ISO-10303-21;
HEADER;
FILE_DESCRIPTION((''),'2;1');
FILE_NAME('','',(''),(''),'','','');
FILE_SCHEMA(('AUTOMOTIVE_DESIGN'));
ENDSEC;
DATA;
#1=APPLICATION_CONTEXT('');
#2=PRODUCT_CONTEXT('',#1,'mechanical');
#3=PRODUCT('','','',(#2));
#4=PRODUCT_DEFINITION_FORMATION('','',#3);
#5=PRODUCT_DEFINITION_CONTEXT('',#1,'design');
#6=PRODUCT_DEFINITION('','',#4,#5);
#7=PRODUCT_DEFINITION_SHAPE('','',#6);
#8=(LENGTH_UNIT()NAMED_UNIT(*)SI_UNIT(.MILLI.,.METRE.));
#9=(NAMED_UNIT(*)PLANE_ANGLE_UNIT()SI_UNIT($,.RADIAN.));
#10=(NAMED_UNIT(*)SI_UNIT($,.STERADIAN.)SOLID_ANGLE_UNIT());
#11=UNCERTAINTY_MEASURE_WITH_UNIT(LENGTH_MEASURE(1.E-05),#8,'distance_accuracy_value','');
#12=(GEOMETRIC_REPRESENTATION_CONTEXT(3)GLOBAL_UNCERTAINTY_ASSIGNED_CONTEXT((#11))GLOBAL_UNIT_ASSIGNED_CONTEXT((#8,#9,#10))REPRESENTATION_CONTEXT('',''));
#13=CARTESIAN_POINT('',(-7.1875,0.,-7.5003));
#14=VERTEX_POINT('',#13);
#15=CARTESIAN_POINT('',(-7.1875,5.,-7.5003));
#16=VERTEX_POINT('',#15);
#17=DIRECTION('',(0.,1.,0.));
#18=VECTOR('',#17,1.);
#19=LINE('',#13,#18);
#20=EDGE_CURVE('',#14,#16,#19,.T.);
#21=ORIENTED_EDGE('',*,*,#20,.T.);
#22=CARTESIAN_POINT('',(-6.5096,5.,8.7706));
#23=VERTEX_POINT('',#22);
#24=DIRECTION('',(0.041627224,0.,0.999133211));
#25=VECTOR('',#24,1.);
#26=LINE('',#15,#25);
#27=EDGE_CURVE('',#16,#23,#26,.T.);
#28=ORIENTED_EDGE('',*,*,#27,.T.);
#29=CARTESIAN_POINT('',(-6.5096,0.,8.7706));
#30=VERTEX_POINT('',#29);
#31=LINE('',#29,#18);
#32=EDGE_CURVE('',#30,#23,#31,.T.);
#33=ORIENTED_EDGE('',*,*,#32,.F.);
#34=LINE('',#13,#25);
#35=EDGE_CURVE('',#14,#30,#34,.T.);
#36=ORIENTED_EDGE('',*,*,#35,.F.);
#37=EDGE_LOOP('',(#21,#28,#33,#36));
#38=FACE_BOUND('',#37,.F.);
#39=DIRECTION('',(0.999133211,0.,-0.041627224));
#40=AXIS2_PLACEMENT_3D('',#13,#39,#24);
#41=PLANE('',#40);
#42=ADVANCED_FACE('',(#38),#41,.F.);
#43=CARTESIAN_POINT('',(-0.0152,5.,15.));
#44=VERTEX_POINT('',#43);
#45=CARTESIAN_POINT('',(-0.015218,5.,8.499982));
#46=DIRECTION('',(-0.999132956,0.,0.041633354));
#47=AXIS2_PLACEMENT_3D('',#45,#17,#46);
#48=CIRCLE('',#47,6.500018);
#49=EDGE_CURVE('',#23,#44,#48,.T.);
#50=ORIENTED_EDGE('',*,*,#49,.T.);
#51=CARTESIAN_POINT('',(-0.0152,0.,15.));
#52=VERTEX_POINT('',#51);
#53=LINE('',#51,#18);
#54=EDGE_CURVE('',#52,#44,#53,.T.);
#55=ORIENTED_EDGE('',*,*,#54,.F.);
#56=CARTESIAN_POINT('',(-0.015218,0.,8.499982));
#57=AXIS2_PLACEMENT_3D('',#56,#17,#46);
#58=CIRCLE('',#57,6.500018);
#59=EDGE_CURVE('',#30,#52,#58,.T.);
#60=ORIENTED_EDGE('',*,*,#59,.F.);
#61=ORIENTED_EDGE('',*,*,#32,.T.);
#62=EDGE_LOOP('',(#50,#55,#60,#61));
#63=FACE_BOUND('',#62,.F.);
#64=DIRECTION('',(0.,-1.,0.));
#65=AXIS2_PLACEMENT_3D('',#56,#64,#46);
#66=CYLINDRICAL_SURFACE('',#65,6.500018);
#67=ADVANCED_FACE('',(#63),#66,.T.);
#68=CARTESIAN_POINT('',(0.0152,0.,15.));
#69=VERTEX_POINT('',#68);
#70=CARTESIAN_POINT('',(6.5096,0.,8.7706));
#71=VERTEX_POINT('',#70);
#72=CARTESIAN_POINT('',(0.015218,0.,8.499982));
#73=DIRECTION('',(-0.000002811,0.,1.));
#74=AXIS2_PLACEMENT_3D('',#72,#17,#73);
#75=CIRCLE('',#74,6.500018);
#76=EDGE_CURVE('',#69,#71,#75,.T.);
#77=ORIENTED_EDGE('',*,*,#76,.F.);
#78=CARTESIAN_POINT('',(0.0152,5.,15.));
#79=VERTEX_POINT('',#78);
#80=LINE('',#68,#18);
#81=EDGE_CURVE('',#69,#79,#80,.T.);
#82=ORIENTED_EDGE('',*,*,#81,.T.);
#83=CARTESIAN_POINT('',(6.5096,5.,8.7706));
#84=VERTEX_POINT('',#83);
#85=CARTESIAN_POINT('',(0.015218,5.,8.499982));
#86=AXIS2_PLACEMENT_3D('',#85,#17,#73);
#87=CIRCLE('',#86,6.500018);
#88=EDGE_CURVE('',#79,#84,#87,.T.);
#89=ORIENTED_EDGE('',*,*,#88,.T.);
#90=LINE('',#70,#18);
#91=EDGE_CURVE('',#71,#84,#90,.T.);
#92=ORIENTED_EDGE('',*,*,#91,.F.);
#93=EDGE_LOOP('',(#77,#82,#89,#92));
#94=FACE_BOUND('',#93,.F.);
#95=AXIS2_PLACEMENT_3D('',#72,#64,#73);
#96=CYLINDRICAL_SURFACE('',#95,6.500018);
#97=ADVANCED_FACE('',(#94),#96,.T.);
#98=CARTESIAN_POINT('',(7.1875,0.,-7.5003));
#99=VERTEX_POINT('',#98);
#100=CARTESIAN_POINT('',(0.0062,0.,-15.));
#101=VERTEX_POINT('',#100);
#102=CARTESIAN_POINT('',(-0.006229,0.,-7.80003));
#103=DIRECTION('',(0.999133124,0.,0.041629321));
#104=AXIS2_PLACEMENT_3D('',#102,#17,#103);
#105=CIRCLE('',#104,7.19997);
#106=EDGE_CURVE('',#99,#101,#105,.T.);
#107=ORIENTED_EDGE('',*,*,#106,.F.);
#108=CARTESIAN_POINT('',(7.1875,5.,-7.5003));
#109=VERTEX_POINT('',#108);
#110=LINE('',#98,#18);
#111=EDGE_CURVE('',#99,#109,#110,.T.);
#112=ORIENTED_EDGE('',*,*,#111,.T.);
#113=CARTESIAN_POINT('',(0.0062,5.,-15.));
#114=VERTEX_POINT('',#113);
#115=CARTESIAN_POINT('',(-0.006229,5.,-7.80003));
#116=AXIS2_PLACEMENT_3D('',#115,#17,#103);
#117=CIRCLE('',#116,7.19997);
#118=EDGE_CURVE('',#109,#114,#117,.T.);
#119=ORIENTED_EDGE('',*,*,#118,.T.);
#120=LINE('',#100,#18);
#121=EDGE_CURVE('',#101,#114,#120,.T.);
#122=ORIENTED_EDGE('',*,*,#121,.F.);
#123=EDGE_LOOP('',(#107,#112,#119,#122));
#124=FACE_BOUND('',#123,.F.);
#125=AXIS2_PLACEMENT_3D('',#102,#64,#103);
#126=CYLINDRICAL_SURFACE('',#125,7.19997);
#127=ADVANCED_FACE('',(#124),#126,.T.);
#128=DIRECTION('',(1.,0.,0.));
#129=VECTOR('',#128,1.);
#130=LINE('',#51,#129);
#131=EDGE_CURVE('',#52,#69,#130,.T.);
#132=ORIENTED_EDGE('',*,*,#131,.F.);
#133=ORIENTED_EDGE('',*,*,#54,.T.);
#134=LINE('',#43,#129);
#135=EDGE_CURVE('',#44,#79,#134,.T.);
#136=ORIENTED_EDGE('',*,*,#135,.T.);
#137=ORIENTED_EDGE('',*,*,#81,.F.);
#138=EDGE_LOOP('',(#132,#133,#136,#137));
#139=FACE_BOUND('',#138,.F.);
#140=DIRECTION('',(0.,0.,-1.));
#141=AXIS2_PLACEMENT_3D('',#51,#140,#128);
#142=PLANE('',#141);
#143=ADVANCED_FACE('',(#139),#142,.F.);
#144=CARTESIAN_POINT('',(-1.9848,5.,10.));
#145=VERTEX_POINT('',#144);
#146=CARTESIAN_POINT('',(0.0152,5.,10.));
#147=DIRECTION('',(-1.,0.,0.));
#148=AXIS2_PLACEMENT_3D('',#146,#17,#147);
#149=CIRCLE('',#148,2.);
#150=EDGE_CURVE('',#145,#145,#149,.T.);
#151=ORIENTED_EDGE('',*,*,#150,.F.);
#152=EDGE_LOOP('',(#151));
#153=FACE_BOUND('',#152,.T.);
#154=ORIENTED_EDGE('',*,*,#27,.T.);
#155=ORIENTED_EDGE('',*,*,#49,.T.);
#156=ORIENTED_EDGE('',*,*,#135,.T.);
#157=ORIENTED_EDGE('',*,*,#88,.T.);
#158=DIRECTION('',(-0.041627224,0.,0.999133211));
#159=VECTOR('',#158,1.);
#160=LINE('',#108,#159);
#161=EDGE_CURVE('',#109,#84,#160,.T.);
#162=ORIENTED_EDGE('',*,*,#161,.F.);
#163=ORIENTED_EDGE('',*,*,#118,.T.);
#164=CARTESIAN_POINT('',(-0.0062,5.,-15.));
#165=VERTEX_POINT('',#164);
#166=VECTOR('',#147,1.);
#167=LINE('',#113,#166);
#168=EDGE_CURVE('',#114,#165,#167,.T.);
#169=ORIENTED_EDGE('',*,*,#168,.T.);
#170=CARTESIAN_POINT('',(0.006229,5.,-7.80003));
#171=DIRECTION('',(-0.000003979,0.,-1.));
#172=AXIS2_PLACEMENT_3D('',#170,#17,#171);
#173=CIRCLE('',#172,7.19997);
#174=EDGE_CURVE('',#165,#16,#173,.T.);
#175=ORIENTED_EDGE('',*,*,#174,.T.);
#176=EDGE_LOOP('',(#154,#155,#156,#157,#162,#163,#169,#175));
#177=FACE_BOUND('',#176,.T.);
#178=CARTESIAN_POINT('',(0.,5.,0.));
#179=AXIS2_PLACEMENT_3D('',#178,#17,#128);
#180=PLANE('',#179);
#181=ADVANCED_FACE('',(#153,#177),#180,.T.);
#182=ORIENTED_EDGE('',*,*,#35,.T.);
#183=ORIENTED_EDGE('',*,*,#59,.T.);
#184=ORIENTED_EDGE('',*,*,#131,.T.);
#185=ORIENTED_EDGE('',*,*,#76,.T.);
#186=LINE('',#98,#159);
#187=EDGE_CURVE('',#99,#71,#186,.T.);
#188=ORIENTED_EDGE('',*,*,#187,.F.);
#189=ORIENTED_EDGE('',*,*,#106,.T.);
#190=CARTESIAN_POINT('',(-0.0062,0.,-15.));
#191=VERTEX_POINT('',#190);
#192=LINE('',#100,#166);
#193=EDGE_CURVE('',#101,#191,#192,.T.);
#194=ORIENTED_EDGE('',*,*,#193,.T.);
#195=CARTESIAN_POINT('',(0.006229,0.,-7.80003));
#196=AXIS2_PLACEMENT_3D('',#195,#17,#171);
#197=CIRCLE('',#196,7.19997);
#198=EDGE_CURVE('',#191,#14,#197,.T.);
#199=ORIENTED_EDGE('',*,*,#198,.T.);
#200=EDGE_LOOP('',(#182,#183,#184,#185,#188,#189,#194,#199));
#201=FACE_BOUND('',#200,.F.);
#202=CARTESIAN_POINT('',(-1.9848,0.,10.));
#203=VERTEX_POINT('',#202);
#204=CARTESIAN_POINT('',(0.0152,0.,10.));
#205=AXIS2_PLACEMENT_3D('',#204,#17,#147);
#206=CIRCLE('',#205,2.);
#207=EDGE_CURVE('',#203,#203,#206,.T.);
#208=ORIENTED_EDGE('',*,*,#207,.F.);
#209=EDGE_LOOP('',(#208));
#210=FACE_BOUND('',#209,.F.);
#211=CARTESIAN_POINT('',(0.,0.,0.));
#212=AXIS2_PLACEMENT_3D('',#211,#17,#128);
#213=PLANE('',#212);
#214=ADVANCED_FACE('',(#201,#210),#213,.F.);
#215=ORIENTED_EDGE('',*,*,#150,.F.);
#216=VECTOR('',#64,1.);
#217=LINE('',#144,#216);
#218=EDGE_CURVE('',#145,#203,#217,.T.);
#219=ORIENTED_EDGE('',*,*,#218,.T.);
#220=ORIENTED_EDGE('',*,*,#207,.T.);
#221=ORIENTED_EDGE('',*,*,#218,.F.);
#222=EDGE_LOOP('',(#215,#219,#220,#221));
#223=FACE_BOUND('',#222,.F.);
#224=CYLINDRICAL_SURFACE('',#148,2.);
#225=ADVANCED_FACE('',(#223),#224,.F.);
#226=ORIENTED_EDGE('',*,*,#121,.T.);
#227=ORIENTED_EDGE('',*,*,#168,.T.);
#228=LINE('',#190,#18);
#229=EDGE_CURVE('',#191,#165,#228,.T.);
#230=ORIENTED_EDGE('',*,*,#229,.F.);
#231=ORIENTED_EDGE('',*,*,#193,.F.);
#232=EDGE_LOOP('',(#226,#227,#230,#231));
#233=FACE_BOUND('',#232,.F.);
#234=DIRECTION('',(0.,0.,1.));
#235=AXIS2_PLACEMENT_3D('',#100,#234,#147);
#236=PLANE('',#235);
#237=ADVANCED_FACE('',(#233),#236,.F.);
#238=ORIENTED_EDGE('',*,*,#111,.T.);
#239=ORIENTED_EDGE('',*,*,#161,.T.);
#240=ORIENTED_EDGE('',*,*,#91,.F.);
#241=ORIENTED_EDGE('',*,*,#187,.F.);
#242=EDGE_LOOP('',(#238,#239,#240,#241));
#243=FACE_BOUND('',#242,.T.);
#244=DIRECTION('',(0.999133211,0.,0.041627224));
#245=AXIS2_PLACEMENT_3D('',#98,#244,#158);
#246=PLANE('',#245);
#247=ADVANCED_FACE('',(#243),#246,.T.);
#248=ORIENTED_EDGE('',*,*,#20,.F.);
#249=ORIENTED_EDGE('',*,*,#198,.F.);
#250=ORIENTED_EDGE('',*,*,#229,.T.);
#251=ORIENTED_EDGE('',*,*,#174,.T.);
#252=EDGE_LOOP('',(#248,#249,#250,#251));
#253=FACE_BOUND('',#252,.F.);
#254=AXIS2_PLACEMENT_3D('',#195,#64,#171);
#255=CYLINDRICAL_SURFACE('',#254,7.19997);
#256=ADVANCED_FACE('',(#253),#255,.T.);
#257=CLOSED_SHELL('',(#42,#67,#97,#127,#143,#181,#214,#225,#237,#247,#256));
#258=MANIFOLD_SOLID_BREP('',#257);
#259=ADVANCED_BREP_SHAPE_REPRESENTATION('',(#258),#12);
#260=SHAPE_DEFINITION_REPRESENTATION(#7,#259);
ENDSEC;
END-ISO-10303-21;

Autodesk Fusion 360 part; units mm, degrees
sketch "Sketch1" plane through (0, 0, 0) normal (0, 1, 0) x (1, 0, 0)
  line L0 (-0.0152, -15) -> (0.0152, -15)
  line L1 (0.0062, 15) -> (-0.0062, 15)
  line L2 (0, 15) -> (0, -15) construction
  line L3 (-7.1875, 7.5003) -> (-6.5096, -8.7706)
  line L4 (7.1875, 7.5003) -> (6.5096, -8.7706)
  arc A0 (0.0062, 15) -> (-7.1875, 7.5003) centre (0.0062, 7.8) ccw
  arc A1 (7.1875, 7.5003) -> (-0.0062, 15) centre (-0.0062, 7.8) ccw
  arc A2 (-6.5096, -8.7706) -> (-0.0152, -15) centre (-0.0152, -8.5) ccw
  arc A3 (0.0152, -15) -> (6.5096, -8.7706) centre (0.0152, -8.5) ccw
  point P0 (-6.25, -15)
  point P1 (6.25, -15)
  point P2 (-7.5, 15)
  point P3 (7.5, 15)
  dimension "d1" = 12.5
  dimension "d2" = 15
  dimension "d3" = 30
  dimension "d4" = 15
  dimension "d6" = 7.2
  dimension "d7" = 6.5
extrude "Extrude1" add sketch "Sketch1" along normal blind 5
sketch "Sketch2" plane through (0, 5, 0) normal (0, 1, 0) x (-1, 0, 0)
  arc A0 (-7.1875, -7.5003) -> (0, -15) centre (0.0062, -7.8) ccw
  arc A1 (0, -15) -> (7.1875, -7.5003) centre (-0.0062, -7.8) ccw
  line L0 (7.1875, -7.5003) -> (6.5096, 8.7706)
  arc A2 (6.5096, 8.7706) -> (0.0152, 15) centre (0.0152, 8.5) ccw
  line L1 (0.0152, 15) -> (-0.0152, 15)
  arc A3 (-0.0152, 15) -> (-6.5096, 8.7706) centre (-0.0152, 8.5) ccw
  line L2 (-6.5096, 8.7706) -> (-7.1875, -7.5003)
  line L3 (-0.0152, 15) -> (-0.0152, 10) construction
  circle A4 centre (-0.0152, 10) radius 2
  dimension "d10" = 5
  dimension "d11" = 4
extrude "Extrude2" cut sketch "Sketch2" against normal blind 7 contours A4
